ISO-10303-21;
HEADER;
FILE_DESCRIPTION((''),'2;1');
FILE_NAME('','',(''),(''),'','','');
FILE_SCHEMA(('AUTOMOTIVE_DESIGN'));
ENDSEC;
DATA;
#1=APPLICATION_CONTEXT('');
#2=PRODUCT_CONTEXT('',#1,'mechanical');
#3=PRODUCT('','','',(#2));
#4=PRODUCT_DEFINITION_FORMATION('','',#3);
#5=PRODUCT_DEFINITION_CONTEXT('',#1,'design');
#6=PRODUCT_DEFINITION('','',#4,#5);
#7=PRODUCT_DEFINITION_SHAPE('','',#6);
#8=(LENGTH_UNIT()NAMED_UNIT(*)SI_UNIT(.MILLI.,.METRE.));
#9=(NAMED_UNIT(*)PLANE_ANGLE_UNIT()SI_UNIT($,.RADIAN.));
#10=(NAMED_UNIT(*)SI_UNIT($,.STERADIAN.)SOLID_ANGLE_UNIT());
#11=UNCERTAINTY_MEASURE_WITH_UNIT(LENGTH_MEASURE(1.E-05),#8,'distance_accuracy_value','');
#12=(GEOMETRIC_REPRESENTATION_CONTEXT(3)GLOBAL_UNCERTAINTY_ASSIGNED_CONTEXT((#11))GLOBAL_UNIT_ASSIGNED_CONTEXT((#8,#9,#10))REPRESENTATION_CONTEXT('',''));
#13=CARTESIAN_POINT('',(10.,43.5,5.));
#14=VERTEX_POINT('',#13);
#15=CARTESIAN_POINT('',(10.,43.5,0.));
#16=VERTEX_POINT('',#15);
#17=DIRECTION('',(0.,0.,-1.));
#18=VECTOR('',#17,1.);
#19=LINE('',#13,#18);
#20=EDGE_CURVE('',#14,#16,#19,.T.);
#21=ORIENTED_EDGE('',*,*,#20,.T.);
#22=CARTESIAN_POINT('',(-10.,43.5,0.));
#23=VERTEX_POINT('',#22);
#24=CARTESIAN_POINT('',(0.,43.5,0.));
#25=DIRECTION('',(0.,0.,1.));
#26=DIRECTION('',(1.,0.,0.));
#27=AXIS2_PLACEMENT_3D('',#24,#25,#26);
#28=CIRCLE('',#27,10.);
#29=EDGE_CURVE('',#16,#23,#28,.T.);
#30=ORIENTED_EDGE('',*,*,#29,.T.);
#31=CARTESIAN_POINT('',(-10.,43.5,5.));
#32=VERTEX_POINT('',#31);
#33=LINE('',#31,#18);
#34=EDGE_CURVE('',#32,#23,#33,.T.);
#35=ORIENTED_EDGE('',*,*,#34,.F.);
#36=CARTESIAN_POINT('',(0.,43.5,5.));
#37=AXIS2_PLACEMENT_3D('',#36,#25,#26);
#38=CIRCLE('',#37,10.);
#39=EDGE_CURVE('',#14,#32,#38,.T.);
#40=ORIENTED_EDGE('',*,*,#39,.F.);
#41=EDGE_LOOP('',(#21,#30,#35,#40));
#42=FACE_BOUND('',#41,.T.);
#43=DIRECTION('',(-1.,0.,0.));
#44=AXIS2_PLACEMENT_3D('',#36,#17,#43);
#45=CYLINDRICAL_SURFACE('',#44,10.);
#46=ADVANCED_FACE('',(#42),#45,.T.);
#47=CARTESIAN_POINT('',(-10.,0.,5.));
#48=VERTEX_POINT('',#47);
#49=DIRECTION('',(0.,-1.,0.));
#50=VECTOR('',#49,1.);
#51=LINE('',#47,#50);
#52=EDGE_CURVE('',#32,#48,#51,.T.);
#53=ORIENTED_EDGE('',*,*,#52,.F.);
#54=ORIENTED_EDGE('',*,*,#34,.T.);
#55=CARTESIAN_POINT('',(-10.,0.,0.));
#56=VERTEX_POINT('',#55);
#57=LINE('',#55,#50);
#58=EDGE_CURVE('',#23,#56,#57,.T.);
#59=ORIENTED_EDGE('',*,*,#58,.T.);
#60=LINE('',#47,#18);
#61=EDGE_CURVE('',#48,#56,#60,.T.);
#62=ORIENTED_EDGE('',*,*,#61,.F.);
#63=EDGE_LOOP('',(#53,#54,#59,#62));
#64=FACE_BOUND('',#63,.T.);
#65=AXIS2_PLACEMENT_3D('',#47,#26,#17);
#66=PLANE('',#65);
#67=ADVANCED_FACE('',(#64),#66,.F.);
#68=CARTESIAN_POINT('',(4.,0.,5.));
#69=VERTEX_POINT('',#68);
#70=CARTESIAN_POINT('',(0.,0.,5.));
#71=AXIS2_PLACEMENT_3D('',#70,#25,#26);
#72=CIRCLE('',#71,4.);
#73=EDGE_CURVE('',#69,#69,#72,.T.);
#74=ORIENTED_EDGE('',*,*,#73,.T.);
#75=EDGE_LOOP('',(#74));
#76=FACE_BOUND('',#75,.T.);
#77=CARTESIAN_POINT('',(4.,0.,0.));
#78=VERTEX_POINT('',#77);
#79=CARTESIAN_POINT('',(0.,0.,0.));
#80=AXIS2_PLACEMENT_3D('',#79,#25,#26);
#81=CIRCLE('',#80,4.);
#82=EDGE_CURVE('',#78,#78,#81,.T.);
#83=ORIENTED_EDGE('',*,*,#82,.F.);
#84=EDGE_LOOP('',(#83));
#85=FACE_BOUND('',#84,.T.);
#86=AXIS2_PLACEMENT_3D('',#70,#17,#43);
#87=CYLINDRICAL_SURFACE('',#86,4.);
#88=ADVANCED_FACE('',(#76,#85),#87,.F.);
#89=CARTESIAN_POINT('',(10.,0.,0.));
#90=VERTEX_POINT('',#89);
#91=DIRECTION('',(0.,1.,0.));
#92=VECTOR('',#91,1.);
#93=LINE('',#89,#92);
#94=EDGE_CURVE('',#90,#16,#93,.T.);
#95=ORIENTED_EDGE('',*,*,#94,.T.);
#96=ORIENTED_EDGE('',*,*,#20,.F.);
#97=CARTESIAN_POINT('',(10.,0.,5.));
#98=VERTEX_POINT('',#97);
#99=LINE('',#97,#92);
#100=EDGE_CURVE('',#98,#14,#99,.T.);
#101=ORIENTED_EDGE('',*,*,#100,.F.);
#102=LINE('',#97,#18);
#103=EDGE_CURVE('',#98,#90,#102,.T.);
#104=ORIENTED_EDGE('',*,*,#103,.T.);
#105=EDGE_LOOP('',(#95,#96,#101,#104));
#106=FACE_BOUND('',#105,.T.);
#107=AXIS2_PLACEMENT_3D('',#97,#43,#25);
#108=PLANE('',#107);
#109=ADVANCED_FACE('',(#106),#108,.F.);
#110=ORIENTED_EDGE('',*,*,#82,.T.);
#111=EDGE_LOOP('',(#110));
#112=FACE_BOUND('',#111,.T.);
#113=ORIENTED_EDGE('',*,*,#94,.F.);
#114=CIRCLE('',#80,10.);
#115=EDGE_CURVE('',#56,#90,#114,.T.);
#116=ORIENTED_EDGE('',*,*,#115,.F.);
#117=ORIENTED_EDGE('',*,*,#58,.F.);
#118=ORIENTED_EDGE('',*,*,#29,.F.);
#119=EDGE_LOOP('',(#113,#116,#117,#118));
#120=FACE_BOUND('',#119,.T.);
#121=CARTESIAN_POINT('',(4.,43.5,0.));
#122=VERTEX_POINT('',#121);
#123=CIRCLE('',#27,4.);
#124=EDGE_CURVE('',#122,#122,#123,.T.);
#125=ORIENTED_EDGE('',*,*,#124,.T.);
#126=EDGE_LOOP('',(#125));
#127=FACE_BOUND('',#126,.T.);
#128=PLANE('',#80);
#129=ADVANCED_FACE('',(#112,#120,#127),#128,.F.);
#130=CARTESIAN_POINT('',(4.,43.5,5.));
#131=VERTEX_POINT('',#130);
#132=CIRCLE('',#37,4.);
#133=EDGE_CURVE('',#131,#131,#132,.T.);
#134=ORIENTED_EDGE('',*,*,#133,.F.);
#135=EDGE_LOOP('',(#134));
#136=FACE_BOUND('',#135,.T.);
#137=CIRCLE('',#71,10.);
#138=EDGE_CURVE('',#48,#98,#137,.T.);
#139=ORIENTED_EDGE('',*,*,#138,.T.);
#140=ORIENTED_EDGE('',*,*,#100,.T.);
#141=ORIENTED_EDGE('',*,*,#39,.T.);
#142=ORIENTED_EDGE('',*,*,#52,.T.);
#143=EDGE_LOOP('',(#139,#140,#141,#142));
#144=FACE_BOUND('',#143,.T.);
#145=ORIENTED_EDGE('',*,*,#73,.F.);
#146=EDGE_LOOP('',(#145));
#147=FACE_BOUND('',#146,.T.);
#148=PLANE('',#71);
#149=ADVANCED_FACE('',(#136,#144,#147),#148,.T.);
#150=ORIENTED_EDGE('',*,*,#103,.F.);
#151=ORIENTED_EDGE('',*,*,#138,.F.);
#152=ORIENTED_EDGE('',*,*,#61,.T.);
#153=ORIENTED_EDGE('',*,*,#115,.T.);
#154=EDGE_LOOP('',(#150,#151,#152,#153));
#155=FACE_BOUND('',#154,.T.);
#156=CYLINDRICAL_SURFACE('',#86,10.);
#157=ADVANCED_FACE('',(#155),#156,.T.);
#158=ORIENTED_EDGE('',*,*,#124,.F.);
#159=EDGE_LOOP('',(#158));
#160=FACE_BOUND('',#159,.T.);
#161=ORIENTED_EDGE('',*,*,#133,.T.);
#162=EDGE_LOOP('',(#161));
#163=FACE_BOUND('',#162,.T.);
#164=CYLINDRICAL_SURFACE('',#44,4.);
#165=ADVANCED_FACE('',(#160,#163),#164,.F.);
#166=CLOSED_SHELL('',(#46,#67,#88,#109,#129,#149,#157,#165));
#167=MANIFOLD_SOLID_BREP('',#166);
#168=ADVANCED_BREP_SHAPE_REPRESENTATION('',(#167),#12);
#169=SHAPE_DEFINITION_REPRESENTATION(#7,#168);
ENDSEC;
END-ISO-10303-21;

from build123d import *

# Parameters (mm, degrees)
SKETCH2_R           = 4
BOSS_EXTRUDE1_DEPTH = 5


with BuildPart() as part:
    # Sketch2 → Boss-Extrude1 (new body)
    with BuildSketch(Plane.XY):
        with BuildLine():
            Line((-10, 0), (-10, 43.5))
            ThreePointArc((-10, 43.5), (0, 53.5), (10, 43.5))
            Line((10, 43.5), (10, 0))
            ThreePointArc((10, 0), (0, -10), (-10, 0))
        make_face()
        with Locations((0, 43.5)):
            Circle(SKETCH2_R, mode=Mode.SUBTRACT)
        Circle(SKETCH2_R, mode=Mode.SUBTRACT)
    extrude(amount=BOSS_EXTRUDE1_DEPTH)


solid = part.part
